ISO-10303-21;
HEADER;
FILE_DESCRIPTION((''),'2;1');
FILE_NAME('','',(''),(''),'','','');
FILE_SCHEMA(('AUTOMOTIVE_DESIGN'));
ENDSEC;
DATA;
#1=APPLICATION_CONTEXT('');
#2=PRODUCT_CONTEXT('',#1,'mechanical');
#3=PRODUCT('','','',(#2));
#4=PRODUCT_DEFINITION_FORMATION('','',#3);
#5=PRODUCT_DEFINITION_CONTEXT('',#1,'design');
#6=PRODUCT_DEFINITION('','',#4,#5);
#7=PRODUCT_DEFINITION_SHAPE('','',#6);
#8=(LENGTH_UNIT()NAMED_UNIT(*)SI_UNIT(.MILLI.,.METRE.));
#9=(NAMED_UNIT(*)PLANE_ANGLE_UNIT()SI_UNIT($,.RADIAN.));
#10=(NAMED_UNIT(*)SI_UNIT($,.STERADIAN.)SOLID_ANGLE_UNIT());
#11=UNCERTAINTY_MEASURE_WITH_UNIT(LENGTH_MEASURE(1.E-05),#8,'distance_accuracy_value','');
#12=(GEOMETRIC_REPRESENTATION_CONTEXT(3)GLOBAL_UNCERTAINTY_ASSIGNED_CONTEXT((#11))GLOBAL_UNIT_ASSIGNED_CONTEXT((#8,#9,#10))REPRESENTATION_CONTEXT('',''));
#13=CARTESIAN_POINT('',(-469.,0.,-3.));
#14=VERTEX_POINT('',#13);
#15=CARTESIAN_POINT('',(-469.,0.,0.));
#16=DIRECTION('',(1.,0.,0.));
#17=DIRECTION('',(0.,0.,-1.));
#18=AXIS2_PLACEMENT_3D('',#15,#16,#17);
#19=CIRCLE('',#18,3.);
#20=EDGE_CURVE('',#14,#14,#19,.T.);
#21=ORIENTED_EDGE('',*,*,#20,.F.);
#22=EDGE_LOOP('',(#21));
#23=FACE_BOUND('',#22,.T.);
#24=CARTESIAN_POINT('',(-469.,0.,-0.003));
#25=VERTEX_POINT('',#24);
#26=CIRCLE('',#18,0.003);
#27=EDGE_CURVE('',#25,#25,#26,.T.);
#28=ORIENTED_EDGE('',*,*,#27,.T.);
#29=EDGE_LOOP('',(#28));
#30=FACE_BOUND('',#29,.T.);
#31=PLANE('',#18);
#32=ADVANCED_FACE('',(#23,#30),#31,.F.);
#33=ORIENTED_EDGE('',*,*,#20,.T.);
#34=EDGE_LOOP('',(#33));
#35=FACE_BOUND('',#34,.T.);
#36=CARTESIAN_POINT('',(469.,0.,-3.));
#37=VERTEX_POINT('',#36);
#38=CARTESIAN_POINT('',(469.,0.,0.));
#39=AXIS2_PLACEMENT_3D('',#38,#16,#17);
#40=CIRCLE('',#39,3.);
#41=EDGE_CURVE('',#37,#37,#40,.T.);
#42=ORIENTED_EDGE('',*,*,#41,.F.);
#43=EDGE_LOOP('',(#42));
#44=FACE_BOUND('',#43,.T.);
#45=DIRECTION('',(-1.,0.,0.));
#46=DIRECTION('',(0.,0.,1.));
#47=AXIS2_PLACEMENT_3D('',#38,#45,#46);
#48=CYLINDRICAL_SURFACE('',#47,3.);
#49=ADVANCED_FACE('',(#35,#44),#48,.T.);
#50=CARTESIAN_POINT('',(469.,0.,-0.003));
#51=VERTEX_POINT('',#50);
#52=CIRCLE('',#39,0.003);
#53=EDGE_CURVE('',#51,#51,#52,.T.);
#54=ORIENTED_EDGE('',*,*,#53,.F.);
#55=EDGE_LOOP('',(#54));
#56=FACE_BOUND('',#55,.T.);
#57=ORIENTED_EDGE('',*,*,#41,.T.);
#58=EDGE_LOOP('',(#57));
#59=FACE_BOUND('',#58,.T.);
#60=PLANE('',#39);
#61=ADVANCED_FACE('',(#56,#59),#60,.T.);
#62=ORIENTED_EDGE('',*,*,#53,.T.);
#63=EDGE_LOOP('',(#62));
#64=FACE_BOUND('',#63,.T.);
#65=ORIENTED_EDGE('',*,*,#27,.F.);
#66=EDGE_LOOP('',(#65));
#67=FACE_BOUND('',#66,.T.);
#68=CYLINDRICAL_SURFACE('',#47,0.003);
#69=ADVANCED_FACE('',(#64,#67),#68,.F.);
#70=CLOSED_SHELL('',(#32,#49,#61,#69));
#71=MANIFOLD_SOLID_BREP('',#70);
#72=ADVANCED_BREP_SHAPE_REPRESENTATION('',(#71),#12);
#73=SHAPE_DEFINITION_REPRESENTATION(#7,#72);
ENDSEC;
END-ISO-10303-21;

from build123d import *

# Parameters (mm, degrees)
SKETCH1_R           = 3
SKETCH1_R_2         = 0.003
BOSS_EXTRUDE1_DEPTH = 469


with BuildPart() as part:
    # Sketch1 → Boss-Extrude1 (new body, symmetric)
    with BuildSketch(Plane(origin=(0, 0, 0), x_dir=(0, 0, -1), z_dir=(1, 0, 0))):
        Circle(SKETCH1_R)
        Circle(SKETCH1_R_2, mode=Mode.SUBTRACT)
    extrude(amount=BOSS_EXTRUDE1_DEPTH, both=True)


solid = part.part
